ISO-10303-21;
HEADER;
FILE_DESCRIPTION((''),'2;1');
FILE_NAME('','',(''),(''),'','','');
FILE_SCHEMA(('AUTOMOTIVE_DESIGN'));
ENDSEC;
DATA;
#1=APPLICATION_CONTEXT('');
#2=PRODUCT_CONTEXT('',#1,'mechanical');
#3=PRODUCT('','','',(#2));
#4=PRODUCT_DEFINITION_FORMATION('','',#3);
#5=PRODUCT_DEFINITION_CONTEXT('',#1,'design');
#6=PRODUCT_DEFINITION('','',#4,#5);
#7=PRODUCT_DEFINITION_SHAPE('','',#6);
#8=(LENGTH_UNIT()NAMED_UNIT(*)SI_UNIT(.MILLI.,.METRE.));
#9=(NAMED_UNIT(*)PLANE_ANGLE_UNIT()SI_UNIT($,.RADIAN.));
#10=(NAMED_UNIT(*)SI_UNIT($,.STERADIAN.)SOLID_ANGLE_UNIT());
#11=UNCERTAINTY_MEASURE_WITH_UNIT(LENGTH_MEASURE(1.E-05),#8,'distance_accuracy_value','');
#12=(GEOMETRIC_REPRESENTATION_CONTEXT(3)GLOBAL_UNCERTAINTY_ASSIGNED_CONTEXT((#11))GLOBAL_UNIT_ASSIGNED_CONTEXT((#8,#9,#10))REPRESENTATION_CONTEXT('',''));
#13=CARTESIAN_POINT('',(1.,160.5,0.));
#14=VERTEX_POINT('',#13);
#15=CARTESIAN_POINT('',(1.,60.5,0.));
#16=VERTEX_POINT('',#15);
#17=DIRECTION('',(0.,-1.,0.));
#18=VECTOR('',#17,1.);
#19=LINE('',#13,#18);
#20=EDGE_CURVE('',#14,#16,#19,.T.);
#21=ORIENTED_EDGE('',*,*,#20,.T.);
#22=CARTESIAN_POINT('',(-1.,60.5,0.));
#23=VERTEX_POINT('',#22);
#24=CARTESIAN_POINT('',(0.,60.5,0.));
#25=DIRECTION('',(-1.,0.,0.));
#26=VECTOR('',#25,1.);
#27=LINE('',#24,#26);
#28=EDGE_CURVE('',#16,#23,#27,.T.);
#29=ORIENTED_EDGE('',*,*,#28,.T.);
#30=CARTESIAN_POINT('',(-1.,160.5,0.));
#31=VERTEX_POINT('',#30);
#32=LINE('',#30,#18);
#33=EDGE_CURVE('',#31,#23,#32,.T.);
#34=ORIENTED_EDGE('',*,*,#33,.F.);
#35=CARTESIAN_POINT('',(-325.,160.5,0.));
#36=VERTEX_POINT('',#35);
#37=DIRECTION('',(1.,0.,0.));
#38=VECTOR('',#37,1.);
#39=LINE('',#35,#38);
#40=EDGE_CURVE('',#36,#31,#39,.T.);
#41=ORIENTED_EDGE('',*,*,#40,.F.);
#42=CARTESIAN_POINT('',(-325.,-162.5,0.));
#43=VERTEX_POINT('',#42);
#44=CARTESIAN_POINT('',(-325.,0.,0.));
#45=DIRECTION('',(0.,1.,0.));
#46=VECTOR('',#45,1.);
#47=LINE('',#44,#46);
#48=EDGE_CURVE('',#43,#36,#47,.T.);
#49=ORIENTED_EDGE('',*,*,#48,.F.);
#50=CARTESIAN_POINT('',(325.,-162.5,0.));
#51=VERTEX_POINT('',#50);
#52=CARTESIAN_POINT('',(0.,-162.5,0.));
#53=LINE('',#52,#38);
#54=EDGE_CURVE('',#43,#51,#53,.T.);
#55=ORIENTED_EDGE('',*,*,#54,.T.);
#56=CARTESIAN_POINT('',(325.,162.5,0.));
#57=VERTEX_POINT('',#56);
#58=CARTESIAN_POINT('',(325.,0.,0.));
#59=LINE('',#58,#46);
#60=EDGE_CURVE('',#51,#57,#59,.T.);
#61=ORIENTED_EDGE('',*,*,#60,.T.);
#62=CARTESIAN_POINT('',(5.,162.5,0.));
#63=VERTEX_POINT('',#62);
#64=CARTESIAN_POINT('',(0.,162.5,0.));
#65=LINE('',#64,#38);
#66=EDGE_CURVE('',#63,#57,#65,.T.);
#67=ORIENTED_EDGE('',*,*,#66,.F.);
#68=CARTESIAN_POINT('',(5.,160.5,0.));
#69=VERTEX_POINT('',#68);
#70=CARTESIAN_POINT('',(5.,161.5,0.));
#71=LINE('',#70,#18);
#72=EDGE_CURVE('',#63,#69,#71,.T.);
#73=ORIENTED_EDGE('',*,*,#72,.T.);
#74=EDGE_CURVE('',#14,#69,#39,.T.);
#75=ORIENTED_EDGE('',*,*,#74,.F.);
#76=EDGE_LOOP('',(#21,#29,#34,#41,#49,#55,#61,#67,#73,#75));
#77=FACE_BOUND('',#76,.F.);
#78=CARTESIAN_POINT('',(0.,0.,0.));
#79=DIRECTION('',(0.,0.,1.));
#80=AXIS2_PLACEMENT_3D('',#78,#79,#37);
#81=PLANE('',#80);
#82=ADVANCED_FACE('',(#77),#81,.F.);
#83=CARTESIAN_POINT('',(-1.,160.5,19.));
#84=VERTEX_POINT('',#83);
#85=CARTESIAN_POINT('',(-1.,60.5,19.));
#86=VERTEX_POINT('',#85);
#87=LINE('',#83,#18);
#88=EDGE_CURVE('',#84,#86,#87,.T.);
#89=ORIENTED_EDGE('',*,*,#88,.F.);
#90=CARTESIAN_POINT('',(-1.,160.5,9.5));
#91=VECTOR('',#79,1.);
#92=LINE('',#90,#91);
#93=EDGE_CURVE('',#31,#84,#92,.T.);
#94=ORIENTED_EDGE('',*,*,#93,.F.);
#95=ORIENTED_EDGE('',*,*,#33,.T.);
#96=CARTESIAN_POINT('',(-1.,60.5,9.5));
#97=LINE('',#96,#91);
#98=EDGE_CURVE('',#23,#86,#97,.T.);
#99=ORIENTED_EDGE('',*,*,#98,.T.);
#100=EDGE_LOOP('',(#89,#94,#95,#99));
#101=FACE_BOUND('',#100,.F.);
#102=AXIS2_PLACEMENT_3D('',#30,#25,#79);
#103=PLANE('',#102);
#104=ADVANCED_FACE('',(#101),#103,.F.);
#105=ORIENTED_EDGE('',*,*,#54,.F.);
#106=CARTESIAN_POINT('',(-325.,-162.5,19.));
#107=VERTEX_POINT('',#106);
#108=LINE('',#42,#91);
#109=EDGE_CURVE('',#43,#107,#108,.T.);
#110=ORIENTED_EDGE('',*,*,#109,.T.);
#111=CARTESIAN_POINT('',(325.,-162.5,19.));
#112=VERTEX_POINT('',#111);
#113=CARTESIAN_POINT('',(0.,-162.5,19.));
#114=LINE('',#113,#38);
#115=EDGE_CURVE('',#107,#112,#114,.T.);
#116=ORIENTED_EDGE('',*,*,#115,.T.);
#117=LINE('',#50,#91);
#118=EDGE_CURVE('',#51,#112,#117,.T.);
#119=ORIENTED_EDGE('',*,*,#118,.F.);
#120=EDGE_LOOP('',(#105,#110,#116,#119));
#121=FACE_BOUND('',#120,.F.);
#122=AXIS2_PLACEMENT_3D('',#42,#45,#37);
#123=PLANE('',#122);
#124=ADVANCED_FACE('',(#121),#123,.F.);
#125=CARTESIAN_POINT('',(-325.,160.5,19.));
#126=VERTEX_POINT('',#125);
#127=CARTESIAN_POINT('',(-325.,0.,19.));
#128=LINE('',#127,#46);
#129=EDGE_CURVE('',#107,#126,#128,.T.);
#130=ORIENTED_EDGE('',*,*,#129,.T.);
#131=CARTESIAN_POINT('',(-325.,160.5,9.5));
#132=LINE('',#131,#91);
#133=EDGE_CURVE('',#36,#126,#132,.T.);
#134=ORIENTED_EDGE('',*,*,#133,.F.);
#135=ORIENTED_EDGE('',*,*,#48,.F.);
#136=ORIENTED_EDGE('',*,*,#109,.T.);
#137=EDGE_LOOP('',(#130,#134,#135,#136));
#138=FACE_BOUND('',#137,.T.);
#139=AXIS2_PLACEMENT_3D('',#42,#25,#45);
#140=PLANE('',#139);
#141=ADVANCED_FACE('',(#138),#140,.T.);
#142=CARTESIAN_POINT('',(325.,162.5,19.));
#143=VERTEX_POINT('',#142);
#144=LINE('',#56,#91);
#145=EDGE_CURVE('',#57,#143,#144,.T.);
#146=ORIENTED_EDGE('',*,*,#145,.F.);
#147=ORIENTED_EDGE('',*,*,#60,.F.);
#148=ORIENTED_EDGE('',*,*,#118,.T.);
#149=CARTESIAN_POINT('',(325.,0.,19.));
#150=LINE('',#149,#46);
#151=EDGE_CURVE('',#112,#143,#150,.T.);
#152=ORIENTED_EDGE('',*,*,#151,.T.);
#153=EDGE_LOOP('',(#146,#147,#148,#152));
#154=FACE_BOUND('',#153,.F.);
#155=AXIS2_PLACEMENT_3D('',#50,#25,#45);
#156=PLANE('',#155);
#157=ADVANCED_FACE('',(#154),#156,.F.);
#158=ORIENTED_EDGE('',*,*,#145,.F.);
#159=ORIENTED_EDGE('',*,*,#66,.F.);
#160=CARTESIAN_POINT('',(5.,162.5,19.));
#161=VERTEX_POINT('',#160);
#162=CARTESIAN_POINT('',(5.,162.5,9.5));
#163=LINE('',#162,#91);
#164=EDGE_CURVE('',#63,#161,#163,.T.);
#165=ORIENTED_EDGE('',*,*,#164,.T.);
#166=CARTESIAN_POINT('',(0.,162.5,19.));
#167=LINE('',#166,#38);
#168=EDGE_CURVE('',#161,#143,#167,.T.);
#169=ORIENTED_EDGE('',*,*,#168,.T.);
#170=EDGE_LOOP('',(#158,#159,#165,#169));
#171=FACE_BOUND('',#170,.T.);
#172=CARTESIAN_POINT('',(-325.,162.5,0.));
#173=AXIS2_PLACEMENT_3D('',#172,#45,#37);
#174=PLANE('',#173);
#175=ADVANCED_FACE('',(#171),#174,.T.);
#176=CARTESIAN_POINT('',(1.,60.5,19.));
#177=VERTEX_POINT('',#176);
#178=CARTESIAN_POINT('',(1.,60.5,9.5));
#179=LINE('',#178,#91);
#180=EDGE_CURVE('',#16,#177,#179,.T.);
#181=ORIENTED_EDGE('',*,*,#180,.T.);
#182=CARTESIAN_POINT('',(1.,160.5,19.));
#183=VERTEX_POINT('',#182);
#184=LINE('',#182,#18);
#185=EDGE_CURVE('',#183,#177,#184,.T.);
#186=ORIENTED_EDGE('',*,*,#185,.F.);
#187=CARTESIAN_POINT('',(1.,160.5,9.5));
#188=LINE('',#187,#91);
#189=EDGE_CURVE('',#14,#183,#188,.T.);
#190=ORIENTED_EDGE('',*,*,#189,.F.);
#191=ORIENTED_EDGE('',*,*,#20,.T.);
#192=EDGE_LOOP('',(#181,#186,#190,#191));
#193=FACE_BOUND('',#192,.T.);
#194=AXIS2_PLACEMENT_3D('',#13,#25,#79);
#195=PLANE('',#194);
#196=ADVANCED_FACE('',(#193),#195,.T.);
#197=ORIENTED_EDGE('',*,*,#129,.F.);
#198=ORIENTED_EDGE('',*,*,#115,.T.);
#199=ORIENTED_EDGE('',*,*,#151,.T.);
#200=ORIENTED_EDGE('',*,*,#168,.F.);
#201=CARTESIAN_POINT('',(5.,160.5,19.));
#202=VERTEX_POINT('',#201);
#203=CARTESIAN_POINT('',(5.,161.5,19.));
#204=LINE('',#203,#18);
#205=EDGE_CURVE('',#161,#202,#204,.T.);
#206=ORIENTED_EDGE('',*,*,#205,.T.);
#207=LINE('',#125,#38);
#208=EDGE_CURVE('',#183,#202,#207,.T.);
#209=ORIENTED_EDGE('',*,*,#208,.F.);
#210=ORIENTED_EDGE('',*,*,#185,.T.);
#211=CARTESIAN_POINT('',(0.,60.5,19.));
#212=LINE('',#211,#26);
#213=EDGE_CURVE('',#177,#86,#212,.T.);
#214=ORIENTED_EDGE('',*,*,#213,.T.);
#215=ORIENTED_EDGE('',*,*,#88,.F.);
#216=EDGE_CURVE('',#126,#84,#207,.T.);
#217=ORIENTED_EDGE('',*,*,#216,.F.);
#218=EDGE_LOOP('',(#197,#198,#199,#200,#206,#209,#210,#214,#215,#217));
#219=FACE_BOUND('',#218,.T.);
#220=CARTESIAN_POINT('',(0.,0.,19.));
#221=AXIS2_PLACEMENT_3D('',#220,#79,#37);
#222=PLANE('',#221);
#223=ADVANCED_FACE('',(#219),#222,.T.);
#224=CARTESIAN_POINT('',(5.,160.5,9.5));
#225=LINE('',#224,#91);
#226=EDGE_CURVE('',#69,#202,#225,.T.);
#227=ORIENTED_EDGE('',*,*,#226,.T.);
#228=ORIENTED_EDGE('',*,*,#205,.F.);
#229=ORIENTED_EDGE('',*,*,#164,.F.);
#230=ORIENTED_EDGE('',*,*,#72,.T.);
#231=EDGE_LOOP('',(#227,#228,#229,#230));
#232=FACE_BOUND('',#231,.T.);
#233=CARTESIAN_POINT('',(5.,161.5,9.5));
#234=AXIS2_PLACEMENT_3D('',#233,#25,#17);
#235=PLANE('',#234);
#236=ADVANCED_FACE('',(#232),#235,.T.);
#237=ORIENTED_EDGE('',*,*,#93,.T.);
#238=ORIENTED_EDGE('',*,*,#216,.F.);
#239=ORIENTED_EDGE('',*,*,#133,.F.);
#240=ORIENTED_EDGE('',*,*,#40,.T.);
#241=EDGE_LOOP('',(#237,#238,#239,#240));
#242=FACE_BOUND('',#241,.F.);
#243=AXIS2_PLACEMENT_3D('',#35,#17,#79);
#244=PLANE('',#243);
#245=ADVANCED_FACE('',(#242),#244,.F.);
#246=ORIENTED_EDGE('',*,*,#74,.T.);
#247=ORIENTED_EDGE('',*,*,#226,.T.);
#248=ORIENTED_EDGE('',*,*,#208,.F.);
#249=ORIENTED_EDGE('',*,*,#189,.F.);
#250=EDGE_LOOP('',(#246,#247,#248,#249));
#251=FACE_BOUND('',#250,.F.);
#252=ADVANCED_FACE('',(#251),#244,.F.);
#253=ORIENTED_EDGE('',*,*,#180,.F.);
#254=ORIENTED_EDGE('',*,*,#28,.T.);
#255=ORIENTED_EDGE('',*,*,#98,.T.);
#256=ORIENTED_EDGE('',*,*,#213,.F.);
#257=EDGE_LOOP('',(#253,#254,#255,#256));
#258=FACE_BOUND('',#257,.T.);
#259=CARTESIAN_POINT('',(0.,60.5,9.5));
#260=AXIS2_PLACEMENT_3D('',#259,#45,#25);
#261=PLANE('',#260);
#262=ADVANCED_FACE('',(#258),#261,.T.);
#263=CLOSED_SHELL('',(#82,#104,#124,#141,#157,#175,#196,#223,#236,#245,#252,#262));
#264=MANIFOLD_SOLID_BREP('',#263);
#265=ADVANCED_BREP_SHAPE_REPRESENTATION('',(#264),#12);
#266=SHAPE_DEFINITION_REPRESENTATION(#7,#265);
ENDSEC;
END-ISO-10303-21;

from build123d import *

# Parameters (mm, degrees)
F0_W     = 650
F0_H     = 325
F1_DEPTH = 19
F2_W     = 2
F2_H     = 19
F3_DEPTH = 330
F4_W     = 2
F4_H     = 19
F5_DEPTH = 100


with BuildPart() as f1:
    # F0 (on Top) → F1 (new body)
    with BuildSketch(Plane.XY):
        Rectangle(F0_W, F0_H)
    extrude(amount=F1_DEPTH)

    # F2 (on face) → F3 (cut)
    with BuildSketch(Plane(origin=(-325, 0, 0), x_dir=(0, -1, 0), z_dir=(-1, 0, 0))):
        with Locations((-161.5, 9.5)):
            Rectangle(F2_W, F2_H)
    extrude(amount=-F3_DEPTH, mode=Mode.SUBTRACT)

    # F4 (on face) → F5 (cut)
    with BuildSketch(Plane(origin=(0, 160.5, 0), x_dir=(-1, 0, 0), z_dir=(0, 1, 0))):
        with Locations((0, 9.5)):
            Rectangle(F4_W, F4_H)
    extrude(amount=-F5_DEPTH, mode=Mode.SUBTRACT)


solid = f1.part
